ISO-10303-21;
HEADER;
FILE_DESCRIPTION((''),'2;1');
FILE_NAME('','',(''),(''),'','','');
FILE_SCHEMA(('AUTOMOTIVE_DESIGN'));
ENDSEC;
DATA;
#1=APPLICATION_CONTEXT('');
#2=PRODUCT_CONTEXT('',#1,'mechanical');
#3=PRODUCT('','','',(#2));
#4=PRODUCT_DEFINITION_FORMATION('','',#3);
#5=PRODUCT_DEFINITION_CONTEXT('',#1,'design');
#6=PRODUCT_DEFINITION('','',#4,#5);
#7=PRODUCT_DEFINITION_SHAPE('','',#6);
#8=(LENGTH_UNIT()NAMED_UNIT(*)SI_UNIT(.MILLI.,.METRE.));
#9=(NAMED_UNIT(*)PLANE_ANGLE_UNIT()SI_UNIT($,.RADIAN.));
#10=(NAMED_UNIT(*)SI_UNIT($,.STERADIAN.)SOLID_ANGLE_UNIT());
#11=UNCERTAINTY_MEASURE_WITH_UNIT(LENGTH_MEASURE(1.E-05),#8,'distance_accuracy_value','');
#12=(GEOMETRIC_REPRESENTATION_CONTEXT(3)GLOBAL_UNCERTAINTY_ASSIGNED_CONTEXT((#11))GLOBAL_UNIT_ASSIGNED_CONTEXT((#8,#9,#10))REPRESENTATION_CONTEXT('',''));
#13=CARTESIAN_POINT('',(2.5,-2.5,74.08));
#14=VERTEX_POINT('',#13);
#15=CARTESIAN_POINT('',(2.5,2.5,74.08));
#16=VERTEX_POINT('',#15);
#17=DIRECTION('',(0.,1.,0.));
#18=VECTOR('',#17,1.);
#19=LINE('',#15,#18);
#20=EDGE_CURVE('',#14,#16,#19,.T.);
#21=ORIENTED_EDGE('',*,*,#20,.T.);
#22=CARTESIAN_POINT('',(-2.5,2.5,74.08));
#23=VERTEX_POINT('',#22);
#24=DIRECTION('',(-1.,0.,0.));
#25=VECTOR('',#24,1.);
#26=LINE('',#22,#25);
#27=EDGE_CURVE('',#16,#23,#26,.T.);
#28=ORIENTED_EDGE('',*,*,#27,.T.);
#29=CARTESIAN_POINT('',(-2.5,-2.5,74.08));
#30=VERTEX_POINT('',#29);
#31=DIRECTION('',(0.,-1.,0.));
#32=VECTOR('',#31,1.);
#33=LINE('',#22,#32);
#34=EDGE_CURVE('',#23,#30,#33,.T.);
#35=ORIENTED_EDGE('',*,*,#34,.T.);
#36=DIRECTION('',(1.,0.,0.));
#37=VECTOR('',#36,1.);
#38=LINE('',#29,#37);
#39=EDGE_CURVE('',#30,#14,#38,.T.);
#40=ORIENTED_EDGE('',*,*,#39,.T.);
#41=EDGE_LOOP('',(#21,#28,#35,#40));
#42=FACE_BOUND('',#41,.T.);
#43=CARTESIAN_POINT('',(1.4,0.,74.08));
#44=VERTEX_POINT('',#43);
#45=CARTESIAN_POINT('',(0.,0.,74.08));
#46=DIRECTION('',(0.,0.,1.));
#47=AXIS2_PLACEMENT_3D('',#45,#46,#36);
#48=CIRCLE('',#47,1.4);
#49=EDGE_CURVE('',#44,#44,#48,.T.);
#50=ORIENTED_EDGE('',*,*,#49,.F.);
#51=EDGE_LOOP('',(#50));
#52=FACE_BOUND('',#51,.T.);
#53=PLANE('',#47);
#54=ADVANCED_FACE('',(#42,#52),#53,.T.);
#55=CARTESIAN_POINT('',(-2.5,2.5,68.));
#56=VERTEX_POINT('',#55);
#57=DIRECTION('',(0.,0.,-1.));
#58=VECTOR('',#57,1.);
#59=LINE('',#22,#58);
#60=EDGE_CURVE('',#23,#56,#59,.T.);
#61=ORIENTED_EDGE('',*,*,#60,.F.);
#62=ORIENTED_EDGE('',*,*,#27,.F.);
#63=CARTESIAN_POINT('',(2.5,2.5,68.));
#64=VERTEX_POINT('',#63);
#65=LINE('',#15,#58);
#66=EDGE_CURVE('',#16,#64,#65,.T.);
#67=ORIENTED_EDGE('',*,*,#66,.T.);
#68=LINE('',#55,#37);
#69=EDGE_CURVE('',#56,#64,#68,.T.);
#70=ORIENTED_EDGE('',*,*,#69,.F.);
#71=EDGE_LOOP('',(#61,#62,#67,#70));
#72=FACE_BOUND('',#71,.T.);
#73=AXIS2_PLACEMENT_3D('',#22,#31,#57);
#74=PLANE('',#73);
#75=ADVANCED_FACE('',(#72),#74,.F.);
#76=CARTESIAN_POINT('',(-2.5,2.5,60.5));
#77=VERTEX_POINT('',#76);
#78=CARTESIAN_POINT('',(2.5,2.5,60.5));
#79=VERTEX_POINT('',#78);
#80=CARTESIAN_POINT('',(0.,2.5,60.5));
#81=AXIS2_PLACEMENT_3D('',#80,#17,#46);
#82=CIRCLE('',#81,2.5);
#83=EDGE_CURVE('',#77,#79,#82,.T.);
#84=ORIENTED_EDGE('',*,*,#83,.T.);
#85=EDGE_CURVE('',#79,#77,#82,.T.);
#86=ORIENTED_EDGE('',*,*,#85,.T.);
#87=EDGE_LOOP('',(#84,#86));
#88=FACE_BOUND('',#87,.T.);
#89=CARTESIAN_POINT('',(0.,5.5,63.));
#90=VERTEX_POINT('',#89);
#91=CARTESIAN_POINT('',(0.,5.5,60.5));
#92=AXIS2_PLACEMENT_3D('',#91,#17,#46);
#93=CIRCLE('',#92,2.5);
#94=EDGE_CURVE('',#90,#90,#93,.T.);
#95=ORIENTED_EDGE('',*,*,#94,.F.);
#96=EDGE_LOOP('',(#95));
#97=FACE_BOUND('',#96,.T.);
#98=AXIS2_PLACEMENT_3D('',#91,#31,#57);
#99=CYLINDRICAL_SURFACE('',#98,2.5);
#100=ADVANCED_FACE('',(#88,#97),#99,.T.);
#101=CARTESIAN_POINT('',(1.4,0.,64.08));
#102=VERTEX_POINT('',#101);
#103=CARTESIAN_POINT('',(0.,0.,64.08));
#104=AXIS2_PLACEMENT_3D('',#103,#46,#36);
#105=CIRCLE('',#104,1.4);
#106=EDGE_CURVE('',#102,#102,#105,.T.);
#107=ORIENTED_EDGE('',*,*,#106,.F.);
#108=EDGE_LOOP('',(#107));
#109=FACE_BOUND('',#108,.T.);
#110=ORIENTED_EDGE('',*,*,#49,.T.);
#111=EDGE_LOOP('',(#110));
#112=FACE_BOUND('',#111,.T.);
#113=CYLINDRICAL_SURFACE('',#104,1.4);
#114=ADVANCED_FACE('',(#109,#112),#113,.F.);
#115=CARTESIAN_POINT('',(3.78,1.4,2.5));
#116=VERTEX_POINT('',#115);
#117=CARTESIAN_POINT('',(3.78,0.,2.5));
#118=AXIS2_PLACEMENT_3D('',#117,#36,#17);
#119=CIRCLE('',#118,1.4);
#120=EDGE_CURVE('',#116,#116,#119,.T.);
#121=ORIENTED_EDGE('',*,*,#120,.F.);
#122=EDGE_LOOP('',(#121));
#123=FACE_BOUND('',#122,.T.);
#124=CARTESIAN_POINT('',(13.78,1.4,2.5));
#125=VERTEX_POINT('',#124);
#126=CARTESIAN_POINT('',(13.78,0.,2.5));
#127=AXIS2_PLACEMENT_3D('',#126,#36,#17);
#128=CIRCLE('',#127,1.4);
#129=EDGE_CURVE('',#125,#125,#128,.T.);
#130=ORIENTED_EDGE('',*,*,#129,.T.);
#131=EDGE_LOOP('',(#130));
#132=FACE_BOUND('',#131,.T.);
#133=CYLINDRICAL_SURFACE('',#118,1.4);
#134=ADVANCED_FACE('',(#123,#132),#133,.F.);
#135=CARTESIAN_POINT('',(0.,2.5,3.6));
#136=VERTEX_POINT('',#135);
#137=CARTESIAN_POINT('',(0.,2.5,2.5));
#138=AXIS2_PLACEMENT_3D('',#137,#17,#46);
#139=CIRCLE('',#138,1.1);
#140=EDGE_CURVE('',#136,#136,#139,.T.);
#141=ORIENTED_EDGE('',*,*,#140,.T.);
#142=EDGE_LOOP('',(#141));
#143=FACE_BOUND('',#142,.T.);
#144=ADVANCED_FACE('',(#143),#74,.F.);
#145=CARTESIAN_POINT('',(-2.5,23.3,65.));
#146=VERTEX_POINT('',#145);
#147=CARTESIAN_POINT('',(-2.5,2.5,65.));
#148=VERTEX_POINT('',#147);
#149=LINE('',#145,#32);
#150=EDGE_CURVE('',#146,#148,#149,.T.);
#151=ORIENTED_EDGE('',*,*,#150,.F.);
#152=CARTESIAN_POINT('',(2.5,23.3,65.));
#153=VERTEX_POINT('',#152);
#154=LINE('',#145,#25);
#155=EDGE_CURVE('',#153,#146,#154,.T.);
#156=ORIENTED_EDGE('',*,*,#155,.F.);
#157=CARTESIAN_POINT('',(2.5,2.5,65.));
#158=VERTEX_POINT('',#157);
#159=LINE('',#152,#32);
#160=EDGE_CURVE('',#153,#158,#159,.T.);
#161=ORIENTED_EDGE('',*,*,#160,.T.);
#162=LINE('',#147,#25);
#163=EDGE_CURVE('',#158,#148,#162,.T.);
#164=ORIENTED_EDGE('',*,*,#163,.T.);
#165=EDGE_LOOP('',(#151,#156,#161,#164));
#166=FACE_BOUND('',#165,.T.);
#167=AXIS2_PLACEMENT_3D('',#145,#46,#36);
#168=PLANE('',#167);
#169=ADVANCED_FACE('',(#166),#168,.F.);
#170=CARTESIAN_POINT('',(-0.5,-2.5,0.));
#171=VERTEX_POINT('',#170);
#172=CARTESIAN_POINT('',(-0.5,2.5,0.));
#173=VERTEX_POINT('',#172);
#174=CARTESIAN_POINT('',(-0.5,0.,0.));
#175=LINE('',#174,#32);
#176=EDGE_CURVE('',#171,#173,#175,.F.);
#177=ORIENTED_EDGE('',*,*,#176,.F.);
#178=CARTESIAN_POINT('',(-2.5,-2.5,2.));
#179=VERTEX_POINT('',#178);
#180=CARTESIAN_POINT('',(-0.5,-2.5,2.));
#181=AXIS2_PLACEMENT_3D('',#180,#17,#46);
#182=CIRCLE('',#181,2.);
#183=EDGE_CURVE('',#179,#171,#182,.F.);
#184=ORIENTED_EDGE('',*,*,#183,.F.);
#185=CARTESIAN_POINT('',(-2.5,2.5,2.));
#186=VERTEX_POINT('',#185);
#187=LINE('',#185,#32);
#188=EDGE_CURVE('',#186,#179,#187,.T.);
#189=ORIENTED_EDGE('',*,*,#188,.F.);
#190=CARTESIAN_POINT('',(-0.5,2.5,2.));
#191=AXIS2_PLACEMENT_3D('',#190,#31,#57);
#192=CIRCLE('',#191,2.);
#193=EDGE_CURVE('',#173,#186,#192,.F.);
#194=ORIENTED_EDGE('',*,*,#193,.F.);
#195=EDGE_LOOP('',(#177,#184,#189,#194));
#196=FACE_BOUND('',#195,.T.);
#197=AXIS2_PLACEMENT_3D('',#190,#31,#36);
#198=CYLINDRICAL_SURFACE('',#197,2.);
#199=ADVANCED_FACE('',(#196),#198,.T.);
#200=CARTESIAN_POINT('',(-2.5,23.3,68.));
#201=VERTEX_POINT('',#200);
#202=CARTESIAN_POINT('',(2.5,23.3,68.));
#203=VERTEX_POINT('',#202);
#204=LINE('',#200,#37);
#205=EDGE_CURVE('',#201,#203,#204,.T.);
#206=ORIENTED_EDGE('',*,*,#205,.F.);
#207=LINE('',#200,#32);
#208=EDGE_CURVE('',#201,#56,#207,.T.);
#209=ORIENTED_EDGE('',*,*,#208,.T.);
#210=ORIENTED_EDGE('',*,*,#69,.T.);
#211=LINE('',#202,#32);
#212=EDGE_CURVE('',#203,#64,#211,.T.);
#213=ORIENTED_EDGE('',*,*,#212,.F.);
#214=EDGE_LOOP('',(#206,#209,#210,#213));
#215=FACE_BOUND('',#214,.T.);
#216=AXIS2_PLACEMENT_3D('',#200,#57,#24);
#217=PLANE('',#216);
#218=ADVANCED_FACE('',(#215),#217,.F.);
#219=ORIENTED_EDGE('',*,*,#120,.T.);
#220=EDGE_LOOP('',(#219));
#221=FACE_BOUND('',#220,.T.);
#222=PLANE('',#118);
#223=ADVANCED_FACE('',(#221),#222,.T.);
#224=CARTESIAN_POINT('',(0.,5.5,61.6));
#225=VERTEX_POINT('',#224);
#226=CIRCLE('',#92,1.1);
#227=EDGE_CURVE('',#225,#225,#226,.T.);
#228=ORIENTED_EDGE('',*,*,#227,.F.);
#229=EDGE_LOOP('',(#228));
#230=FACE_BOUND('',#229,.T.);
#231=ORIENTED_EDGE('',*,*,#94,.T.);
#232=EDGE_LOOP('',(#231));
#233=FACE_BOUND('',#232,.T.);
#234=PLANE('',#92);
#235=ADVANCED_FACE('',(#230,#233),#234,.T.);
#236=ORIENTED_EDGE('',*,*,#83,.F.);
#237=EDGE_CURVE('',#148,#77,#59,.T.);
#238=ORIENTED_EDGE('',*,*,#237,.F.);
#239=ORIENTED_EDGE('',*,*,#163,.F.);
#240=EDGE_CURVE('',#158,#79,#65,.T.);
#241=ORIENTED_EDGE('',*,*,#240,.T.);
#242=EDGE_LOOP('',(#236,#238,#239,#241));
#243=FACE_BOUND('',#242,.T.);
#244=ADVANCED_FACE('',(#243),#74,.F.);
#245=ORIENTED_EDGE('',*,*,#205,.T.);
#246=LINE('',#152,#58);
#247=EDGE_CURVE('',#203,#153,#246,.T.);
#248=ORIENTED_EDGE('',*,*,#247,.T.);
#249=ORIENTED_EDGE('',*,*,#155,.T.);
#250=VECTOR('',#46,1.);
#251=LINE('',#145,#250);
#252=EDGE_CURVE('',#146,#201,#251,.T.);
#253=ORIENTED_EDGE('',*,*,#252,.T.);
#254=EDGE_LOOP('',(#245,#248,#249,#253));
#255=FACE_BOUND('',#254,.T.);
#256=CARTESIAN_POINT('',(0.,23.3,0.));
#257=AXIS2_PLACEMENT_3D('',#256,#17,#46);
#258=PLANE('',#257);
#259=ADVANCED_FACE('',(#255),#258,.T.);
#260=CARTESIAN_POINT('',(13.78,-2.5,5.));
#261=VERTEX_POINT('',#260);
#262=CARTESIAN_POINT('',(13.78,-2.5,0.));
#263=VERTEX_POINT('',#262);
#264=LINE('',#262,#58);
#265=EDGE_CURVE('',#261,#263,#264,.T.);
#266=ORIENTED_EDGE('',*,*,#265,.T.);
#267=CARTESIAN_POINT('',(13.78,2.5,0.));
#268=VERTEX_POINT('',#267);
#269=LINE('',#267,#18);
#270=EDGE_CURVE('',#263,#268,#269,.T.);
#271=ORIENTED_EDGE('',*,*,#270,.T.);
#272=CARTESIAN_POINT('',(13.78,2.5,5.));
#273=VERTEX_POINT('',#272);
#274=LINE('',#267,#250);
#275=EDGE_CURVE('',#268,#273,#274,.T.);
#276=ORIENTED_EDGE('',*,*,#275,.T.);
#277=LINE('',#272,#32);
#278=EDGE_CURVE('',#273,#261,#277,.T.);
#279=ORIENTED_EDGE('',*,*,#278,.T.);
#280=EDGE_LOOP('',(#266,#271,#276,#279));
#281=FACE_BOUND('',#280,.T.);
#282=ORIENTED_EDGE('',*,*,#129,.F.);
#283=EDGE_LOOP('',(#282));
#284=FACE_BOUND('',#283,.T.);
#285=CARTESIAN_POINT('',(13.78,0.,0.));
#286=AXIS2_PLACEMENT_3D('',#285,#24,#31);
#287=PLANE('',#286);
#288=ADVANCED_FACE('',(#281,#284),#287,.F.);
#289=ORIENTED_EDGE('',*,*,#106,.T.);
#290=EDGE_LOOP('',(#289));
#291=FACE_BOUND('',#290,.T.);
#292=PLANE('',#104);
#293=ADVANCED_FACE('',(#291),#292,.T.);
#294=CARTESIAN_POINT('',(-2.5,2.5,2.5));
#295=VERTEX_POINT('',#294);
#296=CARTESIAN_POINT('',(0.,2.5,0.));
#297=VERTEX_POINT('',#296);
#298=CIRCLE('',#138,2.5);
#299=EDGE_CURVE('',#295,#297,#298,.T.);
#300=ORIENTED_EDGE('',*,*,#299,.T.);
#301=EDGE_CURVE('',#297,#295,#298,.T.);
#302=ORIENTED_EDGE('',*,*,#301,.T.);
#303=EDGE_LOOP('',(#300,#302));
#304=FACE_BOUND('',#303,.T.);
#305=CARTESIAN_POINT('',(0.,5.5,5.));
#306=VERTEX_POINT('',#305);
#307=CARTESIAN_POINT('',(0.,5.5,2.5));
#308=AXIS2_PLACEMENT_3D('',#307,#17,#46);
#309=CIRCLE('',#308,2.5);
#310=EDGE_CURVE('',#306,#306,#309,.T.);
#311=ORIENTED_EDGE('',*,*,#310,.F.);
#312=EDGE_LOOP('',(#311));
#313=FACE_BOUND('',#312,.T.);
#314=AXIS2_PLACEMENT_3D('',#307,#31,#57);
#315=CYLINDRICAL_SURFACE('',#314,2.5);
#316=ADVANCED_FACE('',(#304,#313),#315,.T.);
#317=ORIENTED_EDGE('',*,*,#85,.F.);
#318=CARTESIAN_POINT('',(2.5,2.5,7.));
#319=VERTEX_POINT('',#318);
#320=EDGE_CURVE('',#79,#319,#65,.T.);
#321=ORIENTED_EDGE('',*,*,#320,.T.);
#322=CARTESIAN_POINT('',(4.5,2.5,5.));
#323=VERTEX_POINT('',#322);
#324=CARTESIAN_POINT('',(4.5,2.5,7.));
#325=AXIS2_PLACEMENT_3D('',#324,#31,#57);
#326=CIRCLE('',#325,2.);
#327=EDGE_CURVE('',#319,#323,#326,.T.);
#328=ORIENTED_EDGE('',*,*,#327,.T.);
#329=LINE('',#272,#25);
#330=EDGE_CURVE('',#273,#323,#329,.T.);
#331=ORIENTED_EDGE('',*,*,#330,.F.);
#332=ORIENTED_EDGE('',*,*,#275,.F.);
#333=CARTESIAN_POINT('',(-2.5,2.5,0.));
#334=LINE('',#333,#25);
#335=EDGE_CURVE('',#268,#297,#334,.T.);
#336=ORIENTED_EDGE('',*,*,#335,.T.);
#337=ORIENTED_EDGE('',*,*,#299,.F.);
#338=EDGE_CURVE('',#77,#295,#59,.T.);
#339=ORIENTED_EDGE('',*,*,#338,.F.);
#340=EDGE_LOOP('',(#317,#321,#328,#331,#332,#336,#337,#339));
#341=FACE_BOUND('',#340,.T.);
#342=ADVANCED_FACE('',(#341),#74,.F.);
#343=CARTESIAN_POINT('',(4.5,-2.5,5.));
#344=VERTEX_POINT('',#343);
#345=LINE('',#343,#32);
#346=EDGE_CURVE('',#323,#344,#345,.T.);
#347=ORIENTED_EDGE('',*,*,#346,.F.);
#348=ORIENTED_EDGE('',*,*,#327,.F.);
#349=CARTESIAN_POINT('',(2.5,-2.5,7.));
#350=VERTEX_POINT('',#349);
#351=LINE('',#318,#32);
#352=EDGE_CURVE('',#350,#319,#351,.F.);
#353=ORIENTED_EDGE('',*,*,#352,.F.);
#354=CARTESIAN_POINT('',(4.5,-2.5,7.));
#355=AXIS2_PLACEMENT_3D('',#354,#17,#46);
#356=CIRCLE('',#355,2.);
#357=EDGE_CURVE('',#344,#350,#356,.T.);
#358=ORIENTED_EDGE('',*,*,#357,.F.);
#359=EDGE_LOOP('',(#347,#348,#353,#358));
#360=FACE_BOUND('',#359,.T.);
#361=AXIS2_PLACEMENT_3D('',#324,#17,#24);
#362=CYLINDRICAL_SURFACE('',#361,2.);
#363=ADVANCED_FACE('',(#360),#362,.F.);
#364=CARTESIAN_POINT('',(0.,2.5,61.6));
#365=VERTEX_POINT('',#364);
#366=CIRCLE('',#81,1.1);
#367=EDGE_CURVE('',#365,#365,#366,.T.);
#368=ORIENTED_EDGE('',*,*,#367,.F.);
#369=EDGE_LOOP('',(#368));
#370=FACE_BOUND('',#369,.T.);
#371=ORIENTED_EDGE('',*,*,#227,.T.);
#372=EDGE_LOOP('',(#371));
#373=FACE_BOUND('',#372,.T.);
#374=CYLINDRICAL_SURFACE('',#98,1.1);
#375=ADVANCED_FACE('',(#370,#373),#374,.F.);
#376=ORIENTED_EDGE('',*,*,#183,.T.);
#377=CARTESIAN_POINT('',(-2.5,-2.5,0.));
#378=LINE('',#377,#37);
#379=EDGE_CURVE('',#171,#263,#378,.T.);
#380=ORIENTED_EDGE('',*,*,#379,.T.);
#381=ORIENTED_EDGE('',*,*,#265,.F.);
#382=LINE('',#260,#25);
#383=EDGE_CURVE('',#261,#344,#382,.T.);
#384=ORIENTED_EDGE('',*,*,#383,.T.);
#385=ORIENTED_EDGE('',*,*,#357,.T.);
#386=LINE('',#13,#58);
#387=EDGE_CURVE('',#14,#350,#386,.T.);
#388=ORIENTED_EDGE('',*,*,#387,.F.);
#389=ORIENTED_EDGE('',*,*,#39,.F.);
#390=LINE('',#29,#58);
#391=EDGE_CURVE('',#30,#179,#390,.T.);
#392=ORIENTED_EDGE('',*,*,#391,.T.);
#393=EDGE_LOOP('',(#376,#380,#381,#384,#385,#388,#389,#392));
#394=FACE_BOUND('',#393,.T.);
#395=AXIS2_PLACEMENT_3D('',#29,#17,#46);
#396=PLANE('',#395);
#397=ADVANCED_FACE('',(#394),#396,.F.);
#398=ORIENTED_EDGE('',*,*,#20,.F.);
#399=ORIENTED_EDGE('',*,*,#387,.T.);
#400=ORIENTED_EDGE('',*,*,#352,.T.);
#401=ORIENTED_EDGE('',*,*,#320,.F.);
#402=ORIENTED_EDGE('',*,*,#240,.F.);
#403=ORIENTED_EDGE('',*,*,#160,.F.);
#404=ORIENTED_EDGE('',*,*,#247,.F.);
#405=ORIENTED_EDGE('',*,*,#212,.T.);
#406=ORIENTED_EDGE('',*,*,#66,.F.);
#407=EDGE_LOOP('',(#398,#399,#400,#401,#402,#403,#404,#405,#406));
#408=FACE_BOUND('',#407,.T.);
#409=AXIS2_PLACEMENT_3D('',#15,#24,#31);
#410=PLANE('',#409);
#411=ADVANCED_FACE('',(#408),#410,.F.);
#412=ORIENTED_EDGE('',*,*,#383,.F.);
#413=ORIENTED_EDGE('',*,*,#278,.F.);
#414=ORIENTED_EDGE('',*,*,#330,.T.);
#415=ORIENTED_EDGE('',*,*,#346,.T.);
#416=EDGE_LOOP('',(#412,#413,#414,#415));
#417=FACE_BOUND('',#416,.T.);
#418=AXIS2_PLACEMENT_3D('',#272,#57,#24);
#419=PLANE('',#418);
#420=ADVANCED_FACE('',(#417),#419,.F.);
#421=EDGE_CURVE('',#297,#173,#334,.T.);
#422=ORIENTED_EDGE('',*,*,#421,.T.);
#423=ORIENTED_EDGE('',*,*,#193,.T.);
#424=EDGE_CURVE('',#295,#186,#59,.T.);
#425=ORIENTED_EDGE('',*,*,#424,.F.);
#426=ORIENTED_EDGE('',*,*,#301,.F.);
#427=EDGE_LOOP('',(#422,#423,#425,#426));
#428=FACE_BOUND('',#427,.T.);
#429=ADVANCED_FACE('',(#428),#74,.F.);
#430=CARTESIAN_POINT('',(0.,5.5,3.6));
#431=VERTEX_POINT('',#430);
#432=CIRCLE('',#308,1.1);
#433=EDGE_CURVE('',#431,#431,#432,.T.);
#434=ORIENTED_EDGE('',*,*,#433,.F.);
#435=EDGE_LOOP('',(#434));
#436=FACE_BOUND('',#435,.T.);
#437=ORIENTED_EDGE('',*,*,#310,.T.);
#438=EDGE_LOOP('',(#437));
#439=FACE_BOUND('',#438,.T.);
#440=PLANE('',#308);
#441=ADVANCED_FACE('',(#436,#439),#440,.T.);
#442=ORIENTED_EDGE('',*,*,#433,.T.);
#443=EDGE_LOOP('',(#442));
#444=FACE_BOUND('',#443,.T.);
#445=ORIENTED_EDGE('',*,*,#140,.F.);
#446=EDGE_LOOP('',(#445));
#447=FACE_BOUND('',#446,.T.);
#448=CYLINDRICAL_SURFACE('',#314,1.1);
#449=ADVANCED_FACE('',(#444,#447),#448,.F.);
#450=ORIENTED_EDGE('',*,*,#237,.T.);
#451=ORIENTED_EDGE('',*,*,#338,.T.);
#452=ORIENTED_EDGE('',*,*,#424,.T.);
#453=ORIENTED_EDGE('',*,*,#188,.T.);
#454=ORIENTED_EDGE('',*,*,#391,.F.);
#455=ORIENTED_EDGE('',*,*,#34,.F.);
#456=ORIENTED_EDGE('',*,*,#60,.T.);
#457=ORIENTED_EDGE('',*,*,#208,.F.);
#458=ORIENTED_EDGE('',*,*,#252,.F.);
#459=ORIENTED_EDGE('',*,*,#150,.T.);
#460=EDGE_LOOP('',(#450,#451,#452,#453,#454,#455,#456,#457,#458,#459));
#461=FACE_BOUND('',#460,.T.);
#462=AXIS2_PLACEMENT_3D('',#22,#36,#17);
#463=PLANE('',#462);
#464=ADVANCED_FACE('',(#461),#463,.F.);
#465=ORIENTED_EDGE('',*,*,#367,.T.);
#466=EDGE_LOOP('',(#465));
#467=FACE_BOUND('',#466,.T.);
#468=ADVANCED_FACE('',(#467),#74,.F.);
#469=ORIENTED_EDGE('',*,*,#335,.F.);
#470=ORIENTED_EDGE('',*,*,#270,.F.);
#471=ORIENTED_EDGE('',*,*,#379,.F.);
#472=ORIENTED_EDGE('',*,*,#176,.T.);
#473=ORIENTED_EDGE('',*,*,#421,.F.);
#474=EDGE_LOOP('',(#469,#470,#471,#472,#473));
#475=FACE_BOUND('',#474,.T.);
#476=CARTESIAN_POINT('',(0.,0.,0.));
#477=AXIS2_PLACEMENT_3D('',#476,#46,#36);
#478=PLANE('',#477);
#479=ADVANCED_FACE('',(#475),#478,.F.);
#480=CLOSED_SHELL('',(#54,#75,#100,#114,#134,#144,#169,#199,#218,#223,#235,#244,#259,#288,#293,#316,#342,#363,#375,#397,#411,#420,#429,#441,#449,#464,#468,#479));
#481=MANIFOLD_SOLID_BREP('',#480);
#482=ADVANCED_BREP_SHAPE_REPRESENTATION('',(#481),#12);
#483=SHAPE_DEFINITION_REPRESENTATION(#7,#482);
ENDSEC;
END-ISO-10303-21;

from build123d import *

# Parameters (mm, degrees)
SKETCH1_W           = 5
SKETCH1_H           = 5
BOSS_EXTRUDE1_DEPTH = 74.08
SKETCH2_R           = 1.4
CUT_EXTRUDE1_DEPTH  = 10
SKETCH3_W           = 5
SKETCH3_H           = 5
BOSS_EXTRUDE2_DEPTH = 11.28
SKETCH4_R           = 1.4
CUT_EXTRUDE2_DEPTH  = 10
SKETCH5_R           = 2.5
SKETCH5_R_2         = 1.1
BOSS_EXTRUDE3_DEPTH = 3
FILLET1_R           = 2
SKETCH7_W           = 5
SKETCH7_H           = 3
BOSS_EXTRUDE4_DEPTH = 20.8


with BuildPart() as part:
    # Sketch1 → Boss-Extrude1 (new body)
    with BuildSketch(Plane.XY):
        Rectangle(SKETCH1_W, SKETCH1_H)
    extrude(amount=BOSS_EXTRUDE1_DEPTH)

    # Sketch2 → Cut-Extrude1 (cut)
    with BuildSketch(Plane.XY.offset(74.08)):
        Circle(SKETCH2_R)
    extrude(amount=-CUT_EXTRUDE1_DEPTH, mode=Mode.SUBTRACT)

    # Sketch3 → Boss-Extrude2 (add)
    with BuildSketch(Plane(origin=(2.5, 0, 0), x_dir=(0, 0, -1), z_dir=(1, 0, 0))):
        with Locations((-2.5, 0)):
            Rectangle(SKETCH3_W, SKETCH3_H)
    extrude(amount=BOSS_EXTRUDE2_DEPTH)

    # Sketch4 → Cut-Extrude2 (cut)
    with BuildSketch(Plane(origin=(13.78, 0, 0), x_dir=(0, 0, -1), z_dir=(1, 0, 0))):
        with Locations(Location((-2.5, 0, 0), (0, 0, 90))):
            Circle(SKETCH4_R)
    extrude(amount=-CUT_EXTRUDE2_DEPTH, mode=Mode.SUBTRACT)

    # Sketch5 → Boss-Extrude3 (add)
    # profile 1 of 2: a face of its own
    with BuildSketch(Plane(origin=(0, 2.5, 0), x_dir=(1, 0, 0), z_dir=(0, 1, 0))):
        with Locations(Location((0, -60.5, 0), (0, 0, 180))):
            Circle(SKETCH5_R)
        with Locations(Location((0, -60.5, 0), (0, 0, 270))):
            Circle(SKETCH5_R_2, mode=Mode.SUBTRACT)
    # profile 2 of 2: a face of its own
    with BuildSketch(Plane(origin=(0, 2.5, 0), x_dir=(1, 0, 0), z_dir=(0, 1, 0))):
        with Locations(Location((0, -2.5, 0), (0, 0, 90))):
            Circle(SKETCH5_R)
        with Locations(Location((0, -2.5, 0), (0, 0, 270))):
            Circle(SKETCH5_R_2, mode=Mode.SUBTRACT)
    extrude(amount=BOSS_EXTRUDE3_DEPTH)

    # Fillet1
    fillet1_edges = [part.edges().sort_by_distance(p)[0] for p in [
        (2.5, 0, 5),
        (-2.5, 0, 0),
    ]]
    fillet(fillet1_edges, radius=FILLET1_R)

    # Sketch7 → Boss-Extrude4 (add)
    with BuildSketch(Plane(origin=(0, 2.5, 0), x_dir=(1, 0, 0), z_dir=(0, 1, 0))):
        with Locations((0, -66.5)):
            Rectangle(SKETCH7_W, SKETCH7_H)
    extrude(amount=BOSS_EXTRUDE4_DEPTH)


solid = part.part
